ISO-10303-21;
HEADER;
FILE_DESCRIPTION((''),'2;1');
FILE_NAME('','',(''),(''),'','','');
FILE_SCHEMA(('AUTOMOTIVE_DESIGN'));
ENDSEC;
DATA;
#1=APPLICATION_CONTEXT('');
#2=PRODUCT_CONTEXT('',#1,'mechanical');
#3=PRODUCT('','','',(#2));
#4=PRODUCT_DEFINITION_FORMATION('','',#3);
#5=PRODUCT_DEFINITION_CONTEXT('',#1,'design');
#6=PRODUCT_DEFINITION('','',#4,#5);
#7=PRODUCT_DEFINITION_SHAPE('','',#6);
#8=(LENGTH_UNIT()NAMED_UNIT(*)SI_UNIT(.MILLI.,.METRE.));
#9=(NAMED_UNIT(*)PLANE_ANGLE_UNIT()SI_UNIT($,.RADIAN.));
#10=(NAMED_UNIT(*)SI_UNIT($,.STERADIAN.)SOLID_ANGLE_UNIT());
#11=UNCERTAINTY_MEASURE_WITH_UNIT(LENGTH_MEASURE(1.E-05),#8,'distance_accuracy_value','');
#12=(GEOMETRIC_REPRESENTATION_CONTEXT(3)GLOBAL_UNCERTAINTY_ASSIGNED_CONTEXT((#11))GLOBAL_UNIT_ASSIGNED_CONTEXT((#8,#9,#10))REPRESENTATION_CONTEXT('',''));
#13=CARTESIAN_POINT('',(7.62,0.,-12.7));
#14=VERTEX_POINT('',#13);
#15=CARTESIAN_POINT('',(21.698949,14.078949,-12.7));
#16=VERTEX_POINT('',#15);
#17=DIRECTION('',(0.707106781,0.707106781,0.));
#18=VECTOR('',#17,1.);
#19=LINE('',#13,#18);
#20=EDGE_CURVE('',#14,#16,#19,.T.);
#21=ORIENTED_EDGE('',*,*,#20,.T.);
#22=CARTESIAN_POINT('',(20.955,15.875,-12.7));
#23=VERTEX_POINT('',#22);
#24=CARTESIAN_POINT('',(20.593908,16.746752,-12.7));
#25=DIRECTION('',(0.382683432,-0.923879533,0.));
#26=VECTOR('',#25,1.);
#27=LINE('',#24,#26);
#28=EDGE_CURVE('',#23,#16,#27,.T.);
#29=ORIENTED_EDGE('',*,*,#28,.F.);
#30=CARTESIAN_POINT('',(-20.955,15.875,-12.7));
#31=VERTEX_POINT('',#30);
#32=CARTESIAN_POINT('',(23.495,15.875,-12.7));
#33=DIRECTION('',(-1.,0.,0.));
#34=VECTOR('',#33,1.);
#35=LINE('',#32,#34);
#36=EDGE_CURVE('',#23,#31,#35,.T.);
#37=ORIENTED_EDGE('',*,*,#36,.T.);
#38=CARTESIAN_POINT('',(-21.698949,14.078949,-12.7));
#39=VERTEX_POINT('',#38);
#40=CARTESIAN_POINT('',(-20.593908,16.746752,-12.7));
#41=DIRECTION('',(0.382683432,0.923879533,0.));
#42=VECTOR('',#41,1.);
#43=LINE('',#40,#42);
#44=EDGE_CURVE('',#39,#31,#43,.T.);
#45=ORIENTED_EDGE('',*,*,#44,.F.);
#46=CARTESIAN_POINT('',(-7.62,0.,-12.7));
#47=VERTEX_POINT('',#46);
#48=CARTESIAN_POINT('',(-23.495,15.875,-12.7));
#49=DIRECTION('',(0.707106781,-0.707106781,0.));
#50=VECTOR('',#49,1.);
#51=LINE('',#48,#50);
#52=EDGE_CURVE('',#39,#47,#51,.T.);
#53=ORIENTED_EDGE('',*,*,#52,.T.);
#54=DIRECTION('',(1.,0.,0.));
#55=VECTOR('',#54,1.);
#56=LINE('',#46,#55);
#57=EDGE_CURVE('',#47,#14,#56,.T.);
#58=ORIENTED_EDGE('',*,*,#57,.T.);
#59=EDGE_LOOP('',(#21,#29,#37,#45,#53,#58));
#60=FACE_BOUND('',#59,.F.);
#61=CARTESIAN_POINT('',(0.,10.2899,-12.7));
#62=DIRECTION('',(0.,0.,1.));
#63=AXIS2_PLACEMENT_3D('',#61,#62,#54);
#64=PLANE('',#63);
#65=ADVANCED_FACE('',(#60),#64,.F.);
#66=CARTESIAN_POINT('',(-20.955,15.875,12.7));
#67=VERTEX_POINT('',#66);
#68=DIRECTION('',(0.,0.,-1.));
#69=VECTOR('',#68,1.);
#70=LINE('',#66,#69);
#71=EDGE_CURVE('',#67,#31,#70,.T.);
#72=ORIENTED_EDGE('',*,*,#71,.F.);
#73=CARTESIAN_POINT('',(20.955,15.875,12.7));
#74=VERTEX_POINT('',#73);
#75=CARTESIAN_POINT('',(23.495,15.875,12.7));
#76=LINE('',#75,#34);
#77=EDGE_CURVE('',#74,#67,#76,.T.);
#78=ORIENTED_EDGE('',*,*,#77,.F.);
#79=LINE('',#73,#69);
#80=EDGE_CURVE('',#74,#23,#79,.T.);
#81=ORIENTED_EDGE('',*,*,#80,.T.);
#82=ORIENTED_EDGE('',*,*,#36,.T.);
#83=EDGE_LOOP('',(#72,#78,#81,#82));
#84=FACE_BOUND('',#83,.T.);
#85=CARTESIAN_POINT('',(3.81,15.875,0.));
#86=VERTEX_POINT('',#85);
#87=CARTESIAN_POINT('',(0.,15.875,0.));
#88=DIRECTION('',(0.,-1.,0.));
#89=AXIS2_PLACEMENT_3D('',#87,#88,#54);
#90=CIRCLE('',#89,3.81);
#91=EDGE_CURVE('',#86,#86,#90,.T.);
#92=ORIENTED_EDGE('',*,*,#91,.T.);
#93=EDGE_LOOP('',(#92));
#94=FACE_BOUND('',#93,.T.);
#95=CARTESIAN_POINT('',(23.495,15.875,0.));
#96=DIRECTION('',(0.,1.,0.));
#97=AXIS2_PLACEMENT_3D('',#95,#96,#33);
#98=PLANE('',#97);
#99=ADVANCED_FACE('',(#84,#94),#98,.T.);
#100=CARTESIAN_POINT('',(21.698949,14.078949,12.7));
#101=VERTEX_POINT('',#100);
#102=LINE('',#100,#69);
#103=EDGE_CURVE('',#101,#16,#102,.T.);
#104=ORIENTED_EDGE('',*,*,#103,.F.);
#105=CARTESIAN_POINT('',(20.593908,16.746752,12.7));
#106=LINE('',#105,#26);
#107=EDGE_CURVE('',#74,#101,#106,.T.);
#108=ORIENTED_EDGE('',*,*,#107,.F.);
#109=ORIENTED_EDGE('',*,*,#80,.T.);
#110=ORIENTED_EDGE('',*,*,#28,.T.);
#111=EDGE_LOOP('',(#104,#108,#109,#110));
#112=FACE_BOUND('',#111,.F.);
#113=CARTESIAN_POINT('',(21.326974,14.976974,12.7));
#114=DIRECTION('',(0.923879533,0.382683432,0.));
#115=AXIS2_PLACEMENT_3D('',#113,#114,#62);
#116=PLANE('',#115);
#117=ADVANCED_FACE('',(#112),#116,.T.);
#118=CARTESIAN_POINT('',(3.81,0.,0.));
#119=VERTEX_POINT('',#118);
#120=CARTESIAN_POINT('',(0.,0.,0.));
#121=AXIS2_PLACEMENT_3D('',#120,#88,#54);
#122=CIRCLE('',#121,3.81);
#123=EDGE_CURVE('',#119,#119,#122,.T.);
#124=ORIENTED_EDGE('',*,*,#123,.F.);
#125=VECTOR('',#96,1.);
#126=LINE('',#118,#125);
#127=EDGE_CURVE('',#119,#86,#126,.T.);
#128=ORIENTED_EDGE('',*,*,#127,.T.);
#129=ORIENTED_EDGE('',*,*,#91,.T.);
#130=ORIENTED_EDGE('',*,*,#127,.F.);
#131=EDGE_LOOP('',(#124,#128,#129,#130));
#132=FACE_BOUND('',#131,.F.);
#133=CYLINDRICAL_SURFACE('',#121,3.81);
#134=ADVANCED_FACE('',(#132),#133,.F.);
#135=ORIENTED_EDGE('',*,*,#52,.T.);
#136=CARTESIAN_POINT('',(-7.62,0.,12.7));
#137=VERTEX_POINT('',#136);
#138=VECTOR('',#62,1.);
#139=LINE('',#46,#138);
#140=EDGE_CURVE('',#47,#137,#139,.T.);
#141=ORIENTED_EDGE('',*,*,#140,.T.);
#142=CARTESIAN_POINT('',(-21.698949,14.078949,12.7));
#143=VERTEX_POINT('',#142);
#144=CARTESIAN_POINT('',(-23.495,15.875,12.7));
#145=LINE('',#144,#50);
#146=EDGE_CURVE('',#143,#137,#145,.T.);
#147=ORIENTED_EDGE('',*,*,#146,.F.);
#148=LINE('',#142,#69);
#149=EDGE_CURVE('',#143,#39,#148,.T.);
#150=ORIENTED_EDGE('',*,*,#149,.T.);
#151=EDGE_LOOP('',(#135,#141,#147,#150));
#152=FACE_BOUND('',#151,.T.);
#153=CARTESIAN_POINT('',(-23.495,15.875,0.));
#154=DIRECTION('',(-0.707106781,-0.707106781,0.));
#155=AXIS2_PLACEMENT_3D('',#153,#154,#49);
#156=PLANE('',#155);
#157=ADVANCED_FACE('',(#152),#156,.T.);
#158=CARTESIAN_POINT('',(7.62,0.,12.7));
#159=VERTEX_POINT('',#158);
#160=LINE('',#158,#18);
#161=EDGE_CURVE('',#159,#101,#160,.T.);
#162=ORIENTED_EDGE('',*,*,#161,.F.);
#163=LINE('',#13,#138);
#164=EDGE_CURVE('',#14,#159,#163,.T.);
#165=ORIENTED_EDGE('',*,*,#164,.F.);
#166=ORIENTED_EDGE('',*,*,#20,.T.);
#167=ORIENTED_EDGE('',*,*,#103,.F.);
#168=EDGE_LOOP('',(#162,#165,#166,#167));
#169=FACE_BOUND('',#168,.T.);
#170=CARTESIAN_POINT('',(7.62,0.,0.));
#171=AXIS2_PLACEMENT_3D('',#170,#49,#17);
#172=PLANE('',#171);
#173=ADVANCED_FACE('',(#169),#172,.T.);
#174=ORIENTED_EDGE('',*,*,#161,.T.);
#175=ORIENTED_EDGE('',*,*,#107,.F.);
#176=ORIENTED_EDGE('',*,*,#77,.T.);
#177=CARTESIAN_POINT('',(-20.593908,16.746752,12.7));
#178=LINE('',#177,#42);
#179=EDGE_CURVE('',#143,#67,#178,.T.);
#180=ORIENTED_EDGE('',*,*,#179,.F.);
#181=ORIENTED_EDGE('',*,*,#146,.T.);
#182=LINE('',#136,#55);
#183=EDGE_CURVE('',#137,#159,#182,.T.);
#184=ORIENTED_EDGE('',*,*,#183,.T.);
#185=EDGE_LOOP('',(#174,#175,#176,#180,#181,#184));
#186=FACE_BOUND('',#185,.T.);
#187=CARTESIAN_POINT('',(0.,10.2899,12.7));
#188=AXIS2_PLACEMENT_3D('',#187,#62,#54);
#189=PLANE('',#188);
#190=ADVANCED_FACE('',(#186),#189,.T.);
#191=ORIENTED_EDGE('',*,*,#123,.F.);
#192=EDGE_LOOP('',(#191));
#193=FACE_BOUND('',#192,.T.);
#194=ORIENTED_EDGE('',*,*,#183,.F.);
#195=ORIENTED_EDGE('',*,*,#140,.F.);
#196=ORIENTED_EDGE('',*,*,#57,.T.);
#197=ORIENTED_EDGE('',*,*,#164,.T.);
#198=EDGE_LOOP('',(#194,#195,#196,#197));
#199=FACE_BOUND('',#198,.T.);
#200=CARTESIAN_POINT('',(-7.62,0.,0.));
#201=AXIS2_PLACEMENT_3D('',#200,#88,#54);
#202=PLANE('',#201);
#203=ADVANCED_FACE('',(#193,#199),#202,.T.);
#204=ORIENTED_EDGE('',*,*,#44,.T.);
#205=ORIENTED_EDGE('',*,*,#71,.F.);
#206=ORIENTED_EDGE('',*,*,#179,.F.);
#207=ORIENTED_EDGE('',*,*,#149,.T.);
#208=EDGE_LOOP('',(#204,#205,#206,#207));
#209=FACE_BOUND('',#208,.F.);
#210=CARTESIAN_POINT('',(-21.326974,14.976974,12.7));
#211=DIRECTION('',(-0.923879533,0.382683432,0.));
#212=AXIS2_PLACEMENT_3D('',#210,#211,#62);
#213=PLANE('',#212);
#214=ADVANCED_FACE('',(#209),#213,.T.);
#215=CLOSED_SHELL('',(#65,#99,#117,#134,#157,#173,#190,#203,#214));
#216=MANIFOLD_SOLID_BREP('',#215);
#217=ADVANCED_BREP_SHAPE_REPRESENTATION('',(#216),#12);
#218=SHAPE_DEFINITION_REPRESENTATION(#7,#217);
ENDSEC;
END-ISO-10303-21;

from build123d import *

# Parameters (mm, degrees)
F1_DEPTH = 12.7
F2_R     = 3.81
F3_DEPTH = 15.876
F4_SIZE  = 2.54


with BuildPart() as f1:
    # F0 (on Top) → F1 (new body, symmetric)
    with BuildSketch(Plane.XY):
        Polygon((-23.495, 15.875), (-7.62, 0), (7.62, 0), (23.495, 15.875), align=None)
    extrude(amount=F1_DEPTH, both=True)

    # F2 (on Front) → F3 (cut, through all)
    with BuildSketch(Plane.XZ):
        Circle(F2_R)
    extrude(amount=-F3_DEPTH, mode=Mode.SUBTRACT)

    # F4
    f4_edges = [f1.edges().sort_by_distance(p)[0] for p in [
        (-23.495, 15.875, 0),
        (23.495, 15.875, 0),
    ]]
    chamfer(f4_edges, length=F4_SIZE)


solid = f1.part
